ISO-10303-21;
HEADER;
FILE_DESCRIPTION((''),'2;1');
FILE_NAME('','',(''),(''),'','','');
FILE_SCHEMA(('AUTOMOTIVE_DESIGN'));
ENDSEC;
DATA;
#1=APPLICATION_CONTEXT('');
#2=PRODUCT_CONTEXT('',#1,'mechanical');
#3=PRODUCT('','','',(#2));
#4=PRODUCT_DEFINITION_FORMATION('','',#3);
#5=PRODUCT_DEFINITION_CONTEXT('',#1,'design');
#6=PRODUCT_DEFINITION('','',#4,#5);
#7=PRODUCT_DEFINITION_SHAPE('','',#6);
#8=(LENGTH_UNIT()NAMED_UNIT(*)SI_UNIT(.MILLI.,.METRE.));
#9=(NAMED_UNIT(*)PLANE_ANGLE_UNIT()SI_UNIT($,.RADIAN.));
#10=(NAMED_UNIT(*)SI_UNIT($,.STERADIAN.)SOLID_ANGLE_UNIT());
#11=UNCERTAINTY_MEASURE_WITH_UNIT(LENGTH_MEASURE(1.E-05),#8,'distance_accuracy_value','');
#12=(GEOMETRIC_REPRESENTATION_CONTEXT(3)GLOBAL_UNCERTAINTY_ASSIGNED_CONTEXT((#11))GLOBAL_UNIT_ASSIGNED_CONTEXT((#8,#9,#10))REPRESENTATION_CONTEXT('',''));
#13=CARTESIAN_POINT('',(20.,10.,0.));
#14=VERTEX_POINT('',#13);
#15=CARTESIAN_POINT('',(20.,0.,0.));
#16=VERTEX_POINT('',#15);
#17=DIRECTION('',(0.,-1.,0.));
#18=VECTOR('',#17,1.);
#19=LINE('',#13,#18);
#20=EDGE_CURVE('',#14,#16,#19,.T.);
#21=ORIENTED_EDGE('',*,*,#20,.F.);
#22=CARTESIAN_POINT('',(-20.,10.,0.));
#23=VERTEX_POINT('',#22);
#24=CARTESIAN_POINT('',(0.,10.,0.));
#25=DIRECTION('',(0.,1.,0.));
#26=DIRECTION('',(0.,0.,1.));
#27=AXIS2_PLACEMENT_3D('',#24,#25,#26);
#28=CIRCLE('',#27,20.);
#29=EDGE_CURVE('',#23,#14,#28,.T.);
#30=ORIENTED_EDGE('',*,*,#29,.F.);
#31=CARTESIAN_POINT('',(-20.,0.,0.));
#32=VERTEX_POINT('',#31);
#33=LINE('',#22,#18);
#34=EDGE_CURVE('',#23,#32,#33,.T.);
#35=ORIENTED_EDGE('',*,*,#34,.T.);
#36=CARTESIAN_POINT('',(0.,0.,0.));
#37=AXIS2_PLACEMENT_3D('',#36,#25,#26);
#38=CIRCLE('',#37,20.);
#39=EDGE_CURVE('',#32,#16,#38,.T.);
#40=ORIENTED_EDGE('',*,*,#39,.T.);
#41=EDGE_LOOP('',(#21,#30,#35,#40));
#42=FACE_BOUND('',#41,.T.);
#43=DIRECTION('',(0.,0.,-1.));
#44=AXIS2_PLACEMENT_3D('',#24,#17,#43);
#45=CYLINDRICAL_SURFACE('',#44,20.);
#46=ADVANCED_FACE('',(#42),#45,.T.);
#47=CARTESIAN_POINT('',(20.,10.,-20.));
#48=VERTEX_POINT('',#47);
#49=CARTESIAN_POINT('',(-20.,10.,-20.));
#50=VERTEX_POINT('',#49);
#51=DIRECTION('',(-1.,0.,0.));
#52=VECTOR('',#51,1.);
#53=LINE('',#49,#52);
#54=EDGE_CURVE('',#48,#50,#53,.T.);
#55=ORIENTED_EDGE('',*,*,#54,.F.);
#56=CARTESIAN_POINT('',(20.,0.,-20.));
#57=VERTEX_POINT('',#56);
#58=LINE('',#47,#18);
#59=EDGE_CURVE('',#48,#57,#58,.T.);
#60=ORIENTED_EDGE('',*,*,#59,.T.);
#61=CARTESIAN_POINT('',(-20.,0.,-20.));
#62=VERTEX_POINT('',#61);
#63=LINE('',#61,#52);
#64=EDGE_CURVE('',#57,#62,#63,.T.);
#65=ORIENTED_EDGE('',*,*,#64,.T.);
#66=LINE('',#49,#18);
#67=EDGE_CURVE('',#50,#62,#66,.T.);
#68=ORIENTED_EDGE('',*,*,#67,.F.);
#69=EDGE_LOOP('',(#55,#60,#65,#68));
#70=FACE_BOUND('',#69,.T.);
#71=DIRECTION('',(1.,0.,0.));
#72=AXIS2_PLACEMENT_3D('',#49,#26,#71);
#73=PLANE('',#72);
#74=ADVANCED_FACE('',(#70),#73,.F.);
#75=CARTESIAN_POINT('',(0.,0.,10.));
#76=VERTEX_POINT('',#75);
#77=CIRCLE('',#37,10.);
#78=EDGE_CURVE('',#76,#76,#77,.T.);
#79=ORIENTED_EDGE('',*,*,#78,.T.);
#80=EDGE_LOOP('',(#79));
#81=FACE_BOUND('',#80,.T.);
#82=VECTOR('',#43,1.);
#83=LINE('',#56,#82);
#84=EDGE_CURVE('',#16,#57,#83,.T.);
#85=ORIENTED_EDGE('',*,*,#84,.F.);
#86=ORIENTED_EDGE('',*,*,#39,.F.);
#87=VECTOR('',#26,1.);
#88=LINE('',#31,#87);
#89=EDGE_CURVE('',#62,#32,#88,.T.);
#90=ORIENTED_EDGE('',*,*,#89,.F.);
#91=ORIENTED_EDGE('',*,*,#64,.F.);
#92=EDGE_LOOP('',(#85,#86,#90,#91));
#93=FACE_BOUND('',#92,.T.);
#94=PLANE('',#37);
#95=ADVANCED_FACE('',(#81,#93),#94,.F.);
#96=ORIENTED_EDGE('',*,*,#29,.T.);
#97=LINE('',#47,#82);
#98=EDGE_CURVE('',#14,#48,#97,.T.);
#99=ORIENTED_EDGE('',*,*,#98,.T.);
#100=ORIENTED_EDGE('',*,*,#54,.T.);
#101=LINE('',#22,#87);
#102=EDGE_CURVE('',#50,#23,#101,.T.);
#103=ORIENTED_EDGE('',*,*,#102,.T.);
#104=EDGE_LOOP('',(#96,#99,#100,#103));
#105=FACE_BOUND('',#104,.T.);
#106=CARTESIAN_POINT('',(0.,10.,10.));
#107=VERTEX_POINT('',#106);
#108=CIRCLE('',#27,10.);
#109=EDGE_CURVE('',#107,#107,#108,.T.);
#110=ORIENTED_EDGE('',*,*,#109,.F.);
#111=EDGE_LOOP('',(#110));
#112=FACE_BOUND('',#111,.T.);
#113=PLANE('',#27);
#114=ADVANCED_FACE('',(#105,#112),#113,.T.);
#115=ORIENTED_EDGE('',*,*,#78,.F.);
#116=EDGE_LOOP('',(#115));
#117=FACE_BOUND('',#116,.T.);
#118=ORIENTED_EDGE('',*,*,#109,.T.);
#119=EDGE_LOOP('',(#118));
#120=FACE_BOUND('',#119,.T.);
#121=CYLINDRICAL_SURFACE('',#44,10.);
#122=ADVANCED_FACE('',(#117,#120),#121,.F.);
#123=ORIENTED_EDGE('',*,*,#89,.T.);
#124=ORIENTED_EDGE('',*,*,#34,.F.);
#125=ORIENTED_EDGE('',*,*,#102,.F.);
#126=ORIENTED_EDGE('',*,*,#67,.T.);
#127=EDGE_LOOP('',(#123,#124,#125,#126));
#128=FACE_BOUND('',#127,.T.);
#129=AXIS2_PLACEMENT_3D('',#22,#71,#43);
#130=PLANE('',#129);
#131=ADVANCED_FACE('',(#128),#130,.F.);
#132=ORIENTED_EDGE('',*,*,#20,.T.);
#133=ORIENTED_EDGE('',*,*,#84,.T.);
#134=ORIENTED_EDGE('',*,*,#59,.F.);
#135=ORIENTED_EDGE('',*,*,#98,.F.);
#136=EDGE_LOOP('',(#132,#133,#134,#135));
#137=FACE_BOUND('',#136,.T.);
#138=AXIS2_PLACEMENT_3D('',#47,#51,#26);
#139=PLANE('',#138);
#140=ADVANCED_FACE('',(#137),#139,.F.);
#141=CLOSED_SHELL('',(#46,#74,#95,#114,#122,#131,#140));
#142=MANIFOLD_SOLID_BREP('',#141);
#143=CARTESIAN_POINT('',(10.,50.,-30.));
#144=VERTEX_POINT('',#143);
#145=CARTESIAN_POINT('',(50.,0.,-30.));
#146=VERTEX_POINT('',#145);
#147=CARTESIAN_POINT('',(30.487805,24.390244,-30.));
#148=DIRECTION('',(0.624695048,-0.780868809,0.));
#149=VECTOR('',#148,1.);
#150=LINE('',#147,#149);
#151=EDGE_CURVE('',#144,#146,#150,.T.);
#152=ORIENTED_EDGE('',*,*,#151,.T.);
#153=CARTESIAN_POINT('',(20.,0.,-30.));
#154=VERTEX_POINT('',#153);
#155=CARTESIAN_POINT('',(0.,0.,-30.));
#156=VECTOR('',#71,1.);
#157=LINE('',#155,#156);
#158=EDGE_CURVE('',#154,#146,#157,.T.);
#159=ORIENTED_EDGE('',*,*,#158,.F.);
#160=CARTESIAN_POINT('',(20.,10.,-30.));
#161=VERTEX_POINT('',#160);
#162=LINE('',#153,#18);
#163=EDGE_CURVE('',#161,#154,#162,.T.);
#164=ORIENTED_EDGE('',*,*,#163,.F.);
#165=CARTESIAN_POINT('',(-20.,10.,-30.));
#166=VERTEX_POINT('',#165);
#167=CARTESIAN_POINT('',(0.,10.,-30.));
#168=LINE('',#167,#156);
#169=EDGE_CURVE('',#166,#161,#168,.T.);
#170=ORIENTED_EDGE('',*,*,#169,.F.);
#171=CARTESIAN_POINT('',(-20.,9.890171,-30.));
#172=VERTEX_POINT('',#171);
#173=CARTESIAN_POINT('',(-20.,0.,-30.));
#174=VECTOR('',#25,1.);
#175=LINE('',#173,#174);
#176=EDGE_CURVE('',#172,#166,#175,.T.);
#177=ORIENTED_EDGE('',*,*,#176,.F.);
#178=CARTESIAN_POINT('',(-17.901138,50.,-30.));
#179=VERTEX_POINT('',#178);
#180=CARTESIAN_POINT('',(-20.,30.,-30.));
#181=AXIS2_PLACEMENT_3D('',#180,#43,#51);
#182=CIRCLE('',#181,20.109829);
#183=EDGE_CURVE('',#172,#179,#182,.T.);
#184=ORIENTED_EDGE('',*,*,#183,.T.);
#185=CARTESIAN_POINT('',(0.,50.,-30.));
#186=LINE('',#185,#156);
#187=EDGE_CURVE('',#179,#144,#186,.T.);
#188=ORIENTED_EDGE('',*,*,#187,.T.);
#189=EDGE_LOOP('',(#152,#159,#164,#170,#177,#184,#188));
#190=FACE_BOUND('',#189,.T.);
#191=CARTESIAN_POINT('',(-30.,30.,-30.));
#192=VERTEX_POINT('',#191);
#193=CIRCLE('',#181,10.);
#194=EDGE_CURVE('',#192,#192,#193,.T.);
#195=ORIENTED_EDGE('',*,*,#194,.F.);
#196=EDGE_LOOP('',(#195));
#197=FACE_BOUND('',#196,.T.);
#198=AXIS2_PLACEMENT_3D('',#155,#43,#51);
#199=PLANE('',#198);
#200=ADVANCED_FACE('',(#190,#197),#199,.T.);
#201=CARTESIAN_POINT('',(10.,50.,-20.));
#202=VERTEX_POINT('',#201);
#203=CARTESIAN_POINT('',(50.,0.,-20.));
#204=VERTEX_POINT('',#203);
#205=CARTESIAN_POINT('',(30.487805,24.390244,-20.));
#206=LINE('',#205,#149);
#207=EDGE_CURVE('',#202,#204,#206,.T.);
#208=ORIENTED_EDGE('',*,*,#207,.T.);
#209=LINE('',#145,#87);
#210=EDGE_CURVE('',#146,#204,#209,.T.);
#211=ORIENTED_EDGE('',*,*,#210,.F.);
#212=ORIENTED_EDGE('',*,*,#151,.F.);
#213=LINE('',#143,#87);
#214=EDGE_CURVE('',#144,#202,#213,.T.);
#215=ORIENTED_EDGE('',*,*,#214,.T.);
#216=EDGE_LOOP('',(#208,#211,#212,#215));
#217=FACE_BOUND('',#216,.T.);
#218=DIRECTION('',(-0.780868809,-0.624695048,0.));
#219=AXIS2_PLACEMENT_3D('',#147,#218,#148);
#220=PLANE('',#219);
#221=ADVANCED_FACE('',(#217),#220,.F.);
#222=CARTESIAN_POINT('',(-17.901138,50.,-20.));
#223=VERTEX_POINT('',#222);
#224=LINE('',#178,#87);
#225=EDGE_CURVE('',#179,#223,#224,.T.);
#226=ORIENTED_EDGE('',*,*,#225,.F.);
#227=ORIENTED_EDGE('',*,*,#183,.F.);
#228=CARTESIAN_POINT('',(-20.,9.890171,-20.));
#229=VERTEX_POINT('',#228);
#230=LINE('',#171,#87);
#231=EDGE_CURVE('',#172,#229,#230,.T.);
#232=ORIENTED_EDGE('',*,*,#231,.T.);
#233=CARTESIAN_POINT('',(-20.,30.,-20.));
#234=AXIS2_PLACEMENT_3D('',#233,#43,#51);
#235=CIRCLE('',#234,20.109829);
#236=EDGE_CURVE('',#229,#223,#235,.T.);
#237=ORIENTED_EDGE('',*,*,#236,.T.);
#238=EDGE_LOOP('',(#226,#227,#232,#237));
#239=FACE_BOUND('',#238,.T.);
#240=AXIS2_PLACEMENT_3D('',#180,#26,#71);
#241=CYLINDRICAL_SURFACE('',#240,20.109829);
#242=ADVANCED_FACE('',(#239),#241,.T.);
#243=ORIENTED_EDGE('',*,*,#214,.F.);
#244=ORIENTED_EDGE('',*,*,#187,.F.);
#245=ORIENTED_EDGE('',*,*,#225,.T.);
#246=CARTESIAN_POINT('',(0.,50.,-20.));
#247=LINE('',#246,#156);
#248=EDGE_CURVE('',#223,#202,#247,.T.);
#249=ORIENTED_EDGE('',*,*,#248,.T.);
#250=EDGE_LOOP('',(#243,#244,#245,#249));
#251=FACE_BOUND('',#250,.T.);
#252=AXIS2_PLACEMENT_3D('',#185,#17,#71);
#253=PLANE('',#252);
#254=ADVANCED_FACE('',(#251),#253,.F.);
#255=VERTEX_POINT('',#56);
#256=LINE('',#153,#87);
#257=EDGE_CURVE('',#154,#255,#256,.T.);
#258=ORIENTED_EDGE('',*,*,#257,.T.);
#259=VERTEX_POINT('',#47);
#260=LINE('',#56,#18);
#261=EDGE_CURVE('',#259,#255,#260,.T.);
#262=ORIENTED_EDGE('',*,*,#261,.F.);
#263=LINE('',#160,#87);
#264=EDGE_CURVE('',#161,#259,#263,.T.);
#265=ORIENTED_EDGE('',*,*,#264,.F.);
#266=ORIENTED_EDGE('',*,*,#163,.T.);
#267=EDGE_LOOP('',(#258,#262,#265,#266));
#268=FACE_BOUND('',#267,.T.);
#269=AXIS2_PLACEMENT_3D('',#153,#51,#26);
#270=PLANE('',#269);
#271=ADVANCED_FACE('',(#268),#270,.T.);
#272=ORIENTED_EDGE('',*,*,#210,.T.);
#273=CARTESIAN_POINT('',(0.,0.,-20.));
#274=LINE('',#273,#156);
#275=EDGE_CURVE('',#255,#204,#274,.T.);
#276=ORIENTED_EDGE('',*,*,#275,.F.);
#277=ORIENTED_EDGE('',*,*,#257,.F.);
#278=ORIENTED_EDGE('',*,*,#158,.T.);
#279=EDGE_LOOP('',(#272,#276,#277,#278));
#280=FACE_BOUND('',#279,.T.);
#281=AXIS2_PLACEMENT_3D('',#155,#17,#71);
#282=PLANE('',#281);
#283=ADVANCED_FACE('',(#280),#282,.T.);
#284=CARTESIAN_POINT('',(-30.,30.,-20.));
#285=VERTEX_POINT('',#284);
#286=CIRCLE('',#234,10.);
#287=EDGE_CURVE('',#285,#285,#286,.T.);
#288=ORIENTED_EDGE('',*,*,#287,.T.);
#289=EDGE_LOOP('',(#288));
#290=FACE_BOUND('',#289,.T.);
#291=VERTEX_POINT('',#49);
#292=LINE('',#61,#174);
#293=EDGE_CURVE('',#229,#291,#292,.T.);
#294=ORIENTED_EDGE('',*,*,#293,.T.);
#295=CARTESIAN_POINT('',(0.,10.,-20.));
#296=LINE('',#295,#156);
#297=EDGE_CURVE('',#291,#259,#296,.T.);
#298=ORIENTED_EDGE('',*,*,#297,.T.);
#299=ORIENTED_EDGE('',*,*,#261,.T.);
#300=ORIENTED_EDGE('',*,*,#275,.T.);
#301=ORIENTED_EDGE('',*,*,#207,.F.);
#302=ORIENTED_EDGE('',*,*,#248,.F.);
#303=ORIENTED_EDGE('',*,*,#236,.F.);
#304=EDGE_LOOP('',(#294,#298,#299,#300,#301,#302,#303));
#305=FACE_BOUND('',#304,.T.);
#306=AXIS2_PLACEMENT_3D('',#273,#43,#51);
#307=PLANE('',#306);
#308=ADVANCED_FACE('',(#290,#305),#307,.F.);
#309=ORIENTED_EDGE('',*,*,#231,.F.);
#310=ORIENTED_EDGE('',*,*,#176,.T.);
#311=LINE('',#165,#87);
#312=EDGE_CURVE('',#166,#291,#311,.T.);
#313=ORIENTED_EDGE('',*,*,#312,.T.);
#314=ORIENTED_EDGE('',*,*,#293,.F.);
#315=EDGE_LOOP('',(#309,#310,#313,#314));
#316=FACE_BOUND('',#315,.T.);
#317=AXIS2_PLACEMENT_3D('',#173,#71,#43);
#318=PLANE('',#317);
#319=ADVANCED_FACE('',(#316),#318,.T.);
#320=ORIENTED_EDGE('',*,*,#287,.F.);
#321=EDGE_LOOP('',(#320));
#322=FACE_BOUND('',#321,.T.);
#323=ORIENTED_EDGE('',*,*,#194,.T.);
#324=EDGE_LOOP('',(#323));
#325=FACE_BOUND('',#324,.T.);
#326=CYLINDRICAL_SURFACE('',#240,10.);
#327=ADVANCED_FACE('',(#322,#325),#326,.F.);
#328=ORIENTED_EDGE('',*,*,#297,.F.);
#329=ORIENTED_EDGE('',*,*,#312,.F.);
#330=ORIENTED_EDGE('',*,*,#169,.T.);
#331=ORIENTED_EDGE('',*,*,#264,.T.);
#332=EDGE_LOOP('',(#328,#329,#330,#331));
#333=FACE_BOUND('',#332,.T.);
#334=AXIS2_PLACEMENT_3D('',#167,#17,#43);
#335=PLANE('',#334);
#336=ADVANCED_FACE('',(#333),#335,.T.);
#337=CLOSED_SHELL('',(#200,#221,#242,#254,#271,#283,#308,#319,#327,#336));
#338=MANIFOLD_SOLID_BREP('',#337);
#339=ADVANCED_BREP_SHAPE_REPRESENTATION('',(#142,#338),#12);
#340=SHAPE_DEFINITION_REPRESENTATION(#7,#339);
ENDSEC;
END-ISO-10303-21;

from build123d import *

# Parameters (mm, degrees)
SKETCH1_R           = 10
BOSS_EXTRUDE1_DEPTH = 10
BOSS_EXTRUDE2_DEPTH = 10


with BuildPart() as part:
    # Sketch1 → Boss-Extrude1 (new body)
    with BuildSketch(Plane(origin=(0, 0, 0), x_dir=(1, 0, 0), z_dir=(0, 1, 0))):
        with BuildLine():
            Line((-20, 0), (-20, 20))
            Line((-20, 20), (20, 20))
            Line((20, 20), (20, 0))
            ThreePointArc((20, 0), (0, -20), (-20, 0))
        make_face()
        with Locations(Location((0, 0, 0), (0, 0, 270))):
            Circle(SKETCH1_R, mode=Mode.SUBTRACT)
    extrude(amount=BOSS_EXTRUDE1_DEPTH)


with BuildPart() as body_2:
    # Sketch2 → Boss-Extrude2 (new body)
    with BuildSketch(Plane(origin=(0, 0, -20), x_dir=(-1, 0, 0), z_dir=(0, 0, -1))):
        with BuildLine():
            Line((20, 20), (20, 10))
            Line((20, 10), (20, 9.890171032))
            ThreePointArc((20, 9.890171032), (40.082352955, 31.050866726), (17.901138141, 50))
            Line((17.901138141, 50), (20, 50))
            Line((20, 50), (20, 40))
            ThreePointArc((20, 40), (27.071067812, 37.071067812), (30, 30))
            ThreePointArc((30, 30), (27.071067812, 22.928932188), (20, 20))
        make_face()
        with BuildLine():
            Line((-20, 10), (20, 10))
            Line((20, 10), (20, 20))
            ThreePointArc((20, 20), (10, 30), (20, 40))
            Line((20, 40), (20, 50))
            Line((20, 50), (17.901138141, 50))
            Line((17.901138141, 50), (-10, 50))
            Line((-10, 50), (-50, 0))
            Line((-50, 0), (-20, 0))
            Line((-20, 0), (-20, 10))
        make_face()
    extrude(amount=BOSS_EXTRUDE2_DEPTH)


solid = Compound([part.part, body_2.part])
